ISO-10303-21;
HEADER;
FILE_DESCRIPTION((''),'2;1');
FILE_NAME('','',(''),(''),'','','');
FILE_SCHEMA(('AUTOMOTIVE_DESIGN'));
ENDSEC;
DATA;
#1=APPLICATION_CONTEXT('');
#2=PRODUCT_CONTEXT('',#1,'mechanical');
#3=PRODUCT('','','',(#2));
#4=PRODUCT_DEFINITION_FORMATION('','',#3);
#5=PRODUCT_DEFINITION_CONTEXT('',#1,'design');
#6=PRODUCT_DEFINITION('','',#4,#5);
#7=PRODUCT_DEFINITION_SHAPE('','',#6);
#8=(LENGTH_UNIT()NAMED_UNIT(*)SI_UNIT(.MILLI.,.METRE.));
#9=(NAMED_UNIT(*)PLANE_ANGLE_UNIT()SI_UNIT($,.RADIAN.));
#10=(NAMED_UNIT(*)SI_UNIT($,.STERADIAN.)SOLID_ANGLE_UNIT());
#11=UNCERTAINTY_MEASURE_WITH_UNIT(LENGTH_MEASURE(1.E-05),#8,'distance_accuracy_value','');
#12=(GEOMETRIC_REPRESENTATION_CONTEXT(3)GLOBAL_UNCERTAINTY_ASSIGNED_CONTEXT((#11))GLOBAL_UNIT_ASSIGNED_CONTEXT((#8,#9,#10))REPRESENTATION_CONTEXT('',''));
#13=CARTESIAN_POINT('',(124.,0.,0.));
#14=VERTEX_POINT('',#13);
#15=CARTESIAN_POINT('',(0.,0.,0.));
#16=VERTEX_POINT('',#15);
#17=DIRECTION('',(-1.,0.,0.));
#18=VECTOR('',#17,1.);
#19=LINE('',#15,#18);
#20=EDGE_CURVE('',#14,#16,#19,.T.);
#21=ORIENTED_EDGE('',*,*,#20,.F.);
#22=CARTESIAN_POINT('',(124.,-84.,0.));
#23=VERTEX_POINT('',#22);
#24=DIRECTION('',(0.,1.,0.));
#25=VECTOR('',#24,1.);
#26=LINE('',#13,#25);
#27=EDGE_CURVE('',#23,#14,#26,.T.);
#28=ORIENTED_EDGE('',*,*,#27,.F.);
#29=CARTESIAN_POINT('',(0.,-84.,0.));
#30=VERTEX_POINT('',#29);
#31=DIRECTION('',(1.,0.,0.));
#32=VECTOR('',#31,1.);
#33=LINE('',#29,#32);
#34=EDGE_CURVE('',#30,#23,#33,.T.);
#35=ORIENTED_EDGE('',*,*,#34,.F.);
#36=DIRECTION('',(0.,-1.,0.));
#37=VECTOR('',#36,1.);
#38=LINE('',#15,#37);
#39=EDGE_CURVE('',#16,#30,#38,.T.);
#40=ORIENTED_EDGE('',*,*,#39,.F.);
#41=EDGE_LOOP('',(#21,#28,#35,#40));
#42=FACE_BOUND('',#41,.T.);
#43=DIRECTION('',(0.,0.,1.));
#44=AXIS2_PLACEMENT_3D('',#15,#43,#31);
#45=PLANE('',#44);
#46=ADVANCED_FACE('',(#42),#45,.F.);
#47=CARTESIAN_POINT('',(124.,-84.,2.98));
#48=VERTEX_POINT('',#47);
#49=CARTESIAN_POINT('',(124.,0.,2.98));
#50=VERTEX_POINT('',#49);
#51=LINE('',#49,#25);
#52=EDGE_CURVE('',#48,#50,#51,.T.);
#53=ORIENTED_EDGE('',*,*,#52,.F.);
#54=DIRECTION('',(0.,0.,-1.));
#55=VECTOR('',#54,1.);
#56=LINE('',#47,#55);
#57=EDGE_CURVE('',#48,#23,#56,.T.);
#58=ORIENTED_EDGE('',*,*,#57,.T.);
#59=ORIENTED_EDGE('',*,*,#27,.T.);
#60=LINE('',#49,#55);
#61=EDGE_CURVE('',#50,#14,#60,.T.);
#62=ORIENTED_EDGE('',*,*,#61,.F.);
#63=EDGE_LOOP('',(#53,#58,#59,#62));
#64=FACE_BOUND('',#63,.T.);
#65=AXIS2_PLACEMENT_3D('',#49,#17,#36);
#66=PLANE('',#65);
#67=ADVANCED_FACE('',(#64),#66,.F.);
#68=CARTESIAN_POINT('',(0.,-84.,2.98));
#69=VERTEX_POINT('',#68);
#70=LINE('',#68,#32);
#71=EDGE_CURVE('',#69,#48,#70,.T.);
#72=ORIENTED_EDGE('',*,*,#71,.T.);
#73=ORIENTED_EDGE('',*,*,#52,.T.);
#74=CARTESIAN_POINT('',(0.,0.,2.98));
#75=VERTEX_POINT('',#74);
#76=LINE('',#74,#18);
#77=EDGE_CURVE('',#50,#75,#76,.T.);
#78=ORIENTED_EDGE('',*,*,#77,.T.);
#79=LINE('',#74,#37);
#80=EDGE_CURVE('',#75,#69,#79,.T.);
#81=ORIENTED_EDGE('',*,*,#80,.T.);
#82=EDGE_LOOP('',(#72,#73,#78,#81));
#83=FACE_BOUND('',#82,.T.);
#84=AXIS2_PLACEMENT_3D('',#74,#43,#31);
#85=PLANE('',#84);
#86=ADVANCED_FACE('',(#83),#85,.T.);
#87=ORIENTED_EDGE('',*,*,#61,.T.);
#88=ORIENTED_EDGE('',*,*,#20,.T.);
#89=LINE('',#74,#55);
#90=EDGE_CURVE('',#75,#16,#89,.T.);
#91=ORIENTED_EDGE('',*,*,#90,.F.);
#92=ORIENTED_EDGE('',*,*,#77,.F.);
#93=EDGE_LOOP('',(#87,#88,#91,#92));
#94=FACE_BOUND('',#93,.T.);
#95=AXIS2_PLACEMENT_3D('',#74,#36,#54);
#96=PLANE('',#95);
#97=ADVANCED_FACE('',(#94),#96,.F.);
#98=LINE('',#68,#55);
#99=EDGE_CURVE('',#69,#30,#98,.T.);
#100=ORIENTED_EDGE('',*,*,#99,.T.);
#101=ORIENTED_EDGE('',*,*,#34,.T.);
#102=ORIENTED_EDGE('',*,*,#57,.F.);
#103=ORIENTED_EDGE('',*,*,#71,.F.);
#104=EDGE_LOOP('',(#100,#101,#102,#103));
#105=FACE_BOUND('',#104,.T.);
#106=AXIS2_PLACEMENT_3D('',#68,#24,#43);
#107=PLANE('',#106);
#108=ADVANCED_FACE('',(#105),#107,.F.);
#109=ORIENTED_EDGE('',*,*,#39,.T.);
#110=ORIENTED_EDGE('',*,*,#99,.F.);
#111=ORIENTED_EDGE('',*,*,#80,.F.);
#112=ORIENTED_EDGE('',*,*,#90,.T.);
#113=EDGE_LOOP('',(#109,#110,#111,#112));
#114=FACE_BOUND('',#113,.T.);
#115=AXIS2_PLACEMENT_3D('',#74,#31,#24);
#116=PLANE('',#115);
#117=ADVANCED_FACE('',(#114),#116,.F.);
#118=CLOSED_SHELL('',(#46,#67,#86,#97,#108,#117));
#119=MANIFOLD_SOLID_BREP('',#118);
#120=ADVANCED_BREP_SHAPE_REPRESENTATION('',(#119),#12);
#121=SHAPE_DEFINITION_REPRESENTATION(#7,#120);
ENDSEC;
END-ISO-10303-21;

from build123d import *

# Parameters (mm, degrees)
SKETCH_1_W      = 124
SKETCH_1_H      = 84
EXTRUDE_1_DEPTH = 2.98


with BuildPart() as part:
    # 草圖1 → 填料-伸長1 (new body)
    with BuildSketch(Plane.XY):
        with Locations((62, -42)):
            Rectangle(SKETCH_1_W, SKETCH_1_H)
    extrude(amount=EXTRUDE_1_DEPTH)


solid = part.part
